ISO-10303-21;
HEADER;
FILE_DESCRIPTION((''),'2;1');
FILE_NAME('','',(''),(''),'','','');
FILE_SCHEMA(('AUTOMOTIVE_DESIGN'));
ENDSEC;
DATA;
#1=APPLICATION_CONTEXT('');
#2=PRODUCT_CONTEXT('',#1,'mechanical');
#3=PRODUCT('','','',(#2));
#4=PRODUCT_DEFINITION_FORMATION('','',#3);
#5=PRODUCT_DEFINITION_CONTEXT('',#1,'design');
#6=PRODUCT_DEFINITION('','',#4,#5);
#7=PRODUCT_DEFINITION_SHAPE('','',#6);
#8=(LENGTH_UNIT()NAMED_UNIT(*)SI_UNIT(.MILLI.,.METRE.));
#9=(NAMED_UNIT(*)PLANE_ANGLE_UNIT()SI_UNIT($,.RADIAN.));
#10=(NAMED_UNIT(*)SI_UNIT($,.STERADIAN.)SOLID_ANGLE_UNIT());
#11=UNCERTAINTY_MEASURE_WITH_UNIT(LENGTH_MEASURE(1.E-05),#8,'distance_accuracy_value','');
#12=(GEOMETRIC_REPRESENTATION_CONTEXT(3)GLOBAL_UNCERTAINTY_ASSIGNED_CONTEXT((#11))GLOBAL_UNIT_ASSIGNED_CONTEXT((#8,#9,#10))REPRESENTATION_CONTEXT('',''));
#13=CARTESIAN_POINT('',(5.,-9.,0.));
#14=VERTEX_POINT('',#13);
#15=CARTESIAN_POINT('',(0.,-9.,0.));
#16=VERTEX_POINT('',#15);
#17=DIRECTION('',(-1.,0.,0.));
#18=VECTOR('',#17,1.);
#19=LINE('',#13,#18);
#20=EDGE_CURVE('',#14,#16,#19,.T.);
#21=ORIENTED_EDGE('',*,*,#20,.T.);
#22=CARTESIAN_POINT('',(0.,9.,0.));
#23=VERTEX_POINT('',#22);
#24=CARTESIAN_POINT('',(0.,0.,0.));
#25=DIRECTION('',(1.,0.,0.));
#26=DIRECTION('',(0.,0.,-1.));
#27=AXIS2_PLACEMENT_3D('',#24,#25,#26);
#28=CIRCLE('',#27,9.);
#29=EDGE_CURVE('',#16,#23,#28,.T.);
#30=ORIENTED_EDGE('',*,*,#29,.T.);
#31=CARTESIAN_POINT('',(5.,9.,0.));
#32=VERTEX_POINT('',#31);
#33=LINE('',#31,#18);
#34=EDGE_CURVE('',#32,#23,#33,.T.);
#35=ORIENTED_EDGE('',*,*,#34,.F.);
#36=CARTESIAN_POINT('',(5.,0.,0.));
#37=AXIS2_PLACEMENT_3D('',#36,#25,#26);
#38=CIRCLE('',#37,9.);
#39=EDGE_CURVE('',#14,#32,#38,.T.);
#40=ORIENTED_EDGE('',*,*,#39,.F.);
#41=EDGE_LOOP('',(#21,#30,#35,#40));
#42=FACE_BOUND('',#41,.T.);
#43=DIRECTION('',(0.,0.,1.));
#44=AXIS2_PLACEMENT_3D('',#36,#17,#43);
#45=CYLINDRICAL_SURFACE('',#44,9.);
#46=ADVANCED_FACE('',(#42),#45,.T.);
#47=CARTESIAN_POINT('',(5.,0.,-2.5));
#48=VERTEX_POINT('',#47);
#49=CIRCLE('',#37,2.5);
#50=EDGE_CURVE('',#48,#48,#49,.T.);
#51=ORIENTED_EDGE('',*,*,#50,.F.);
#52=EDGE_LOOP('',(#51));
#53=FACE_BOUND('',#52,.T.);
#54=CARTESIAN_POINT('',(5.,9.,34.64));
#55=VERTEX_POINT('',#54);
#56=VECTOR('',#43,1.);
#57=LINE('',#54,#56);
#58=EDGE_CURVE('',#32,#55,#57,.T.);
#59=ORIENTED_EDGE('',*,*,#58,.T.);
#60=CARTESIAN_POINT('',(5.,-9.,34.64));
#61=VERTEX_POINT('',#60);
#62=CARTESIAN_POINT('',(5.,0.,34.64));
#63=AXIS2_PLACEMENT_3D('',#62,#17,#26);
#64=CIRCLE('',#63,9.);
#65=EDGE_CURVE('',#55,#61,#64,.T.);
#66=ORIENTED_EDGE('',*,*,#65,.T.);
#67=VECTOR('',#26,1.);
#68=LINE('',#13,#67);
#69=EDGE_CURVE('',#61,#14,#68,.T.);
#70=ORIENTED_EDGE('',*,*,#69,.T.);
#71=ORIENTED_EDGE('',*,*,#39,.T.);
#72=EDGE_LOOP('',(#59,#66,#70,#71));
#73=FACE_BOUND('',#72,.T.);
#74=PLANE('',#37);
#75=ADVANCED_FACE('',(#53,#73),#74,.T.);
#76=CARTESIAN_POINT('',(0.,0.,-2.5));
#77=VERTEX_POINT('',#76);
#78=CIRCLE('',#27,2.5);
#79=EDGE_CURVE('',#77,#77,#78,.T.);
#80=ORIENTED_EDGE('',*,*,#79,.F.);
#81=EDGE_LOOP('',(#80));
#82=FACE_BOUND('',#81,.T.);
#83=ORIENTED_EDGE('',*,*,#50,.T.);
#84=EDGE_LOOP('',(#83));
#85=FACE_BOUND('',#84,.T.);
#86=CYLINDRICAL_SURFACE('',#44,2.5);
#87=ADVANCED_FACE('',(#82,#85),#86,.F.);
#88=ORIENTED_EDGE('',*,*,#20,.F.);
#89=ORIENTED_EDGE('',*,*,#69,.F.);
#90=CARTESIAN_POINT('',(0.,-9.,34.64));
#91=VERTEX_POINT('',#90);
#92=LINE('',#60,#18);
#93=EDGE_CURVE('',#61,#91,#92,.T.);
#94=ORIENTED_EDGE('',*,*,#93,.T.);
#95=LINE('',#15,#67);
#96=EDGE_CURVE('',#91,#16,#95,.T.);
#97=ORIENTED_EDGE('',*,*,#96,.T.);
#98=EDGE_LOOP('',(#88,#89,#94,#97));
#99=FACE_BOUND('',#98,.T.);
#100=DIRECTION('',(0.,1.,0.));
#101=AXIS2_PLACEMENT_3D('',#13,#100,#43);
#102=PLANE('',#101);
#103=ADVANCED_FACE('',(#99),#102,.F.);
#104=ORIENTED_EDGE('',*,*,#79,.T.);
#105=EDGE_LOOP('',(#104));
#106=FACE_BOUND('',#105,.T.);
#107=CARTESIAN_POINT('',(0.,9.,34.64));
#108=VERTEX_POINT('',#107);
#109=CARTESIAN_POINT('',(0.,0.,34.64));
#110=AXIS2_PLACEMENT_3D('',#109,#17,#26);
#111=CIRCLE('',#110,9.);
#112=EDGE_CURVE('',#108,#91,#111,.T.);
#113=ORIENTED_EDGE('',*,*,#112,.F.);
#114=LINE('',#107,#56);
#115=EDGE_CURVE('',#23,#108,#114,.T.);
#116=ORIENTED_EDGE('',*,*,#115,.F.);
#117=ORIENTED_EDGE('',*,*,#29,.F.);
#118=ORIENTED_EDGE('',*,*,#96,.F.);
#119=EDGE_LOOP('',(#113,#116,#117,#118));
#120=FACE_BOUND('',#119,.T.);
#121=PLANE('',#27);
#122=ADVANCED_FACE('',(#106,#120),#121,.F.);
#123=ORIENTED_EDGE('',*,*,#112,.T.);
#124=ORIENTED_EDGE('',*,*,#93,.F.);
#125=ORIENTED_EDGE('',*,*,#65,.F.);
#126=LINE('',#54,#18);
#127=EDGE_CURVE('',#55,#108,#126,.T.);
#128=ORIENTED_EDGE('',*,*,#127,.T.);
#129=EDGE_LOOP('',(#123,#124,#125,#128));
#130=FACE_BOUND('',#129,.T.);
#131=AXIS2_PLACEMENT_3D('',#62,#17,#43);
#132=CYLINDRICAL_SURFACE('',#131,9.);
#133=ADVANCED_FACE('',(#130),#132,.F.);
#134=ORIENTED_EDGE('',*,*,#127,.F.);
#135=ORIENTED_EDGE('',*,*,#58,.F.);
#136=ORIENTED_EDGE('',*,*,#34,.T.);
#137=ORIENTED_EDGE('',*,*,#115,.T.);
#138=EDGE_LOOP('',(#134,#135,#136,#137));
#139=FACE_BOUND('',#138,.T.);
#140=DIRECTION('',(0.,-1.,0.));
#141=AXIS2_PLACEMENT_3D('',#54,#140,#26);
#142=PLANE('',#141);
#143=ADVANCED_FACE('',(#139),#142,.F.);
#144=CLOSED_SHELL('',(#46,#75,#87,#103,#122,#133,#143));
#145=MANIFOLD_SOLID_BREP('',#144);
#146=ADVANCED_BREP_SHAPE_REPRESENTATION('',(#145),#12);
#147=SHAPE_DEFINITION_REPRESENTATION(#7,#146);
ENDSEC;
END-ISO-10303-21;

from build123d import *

# Parameters (mm, degrees)
SKETCH_3_R      = 2.5
EXTRUDE_3_DEPTH = 5


with BuildPart() as part:
    # 草圖3 → 填料-伸長3 (new body)
    with BuildSketch(Plane(origin=(0, 0, 0), x_dir=(0, 0, -1), z_dir=(1, 0, 0))):
        with BuildLine():
            Line((0, -9), (-34.64, -9))
            ThreePointArc((-34.64, -9), (-25.64, 0), (-34.64, 9))
            Line((-34.64, 9), (0, 9))
            ThreePointArc((0, 9), (9, 0), (0, -9))
        make_face()
        Circle(SKETCH_3_R, mode=Mode.SUBTRACT)
    extrude(amount=EXTRUDE_3_DEPTH)


solid = part.part
